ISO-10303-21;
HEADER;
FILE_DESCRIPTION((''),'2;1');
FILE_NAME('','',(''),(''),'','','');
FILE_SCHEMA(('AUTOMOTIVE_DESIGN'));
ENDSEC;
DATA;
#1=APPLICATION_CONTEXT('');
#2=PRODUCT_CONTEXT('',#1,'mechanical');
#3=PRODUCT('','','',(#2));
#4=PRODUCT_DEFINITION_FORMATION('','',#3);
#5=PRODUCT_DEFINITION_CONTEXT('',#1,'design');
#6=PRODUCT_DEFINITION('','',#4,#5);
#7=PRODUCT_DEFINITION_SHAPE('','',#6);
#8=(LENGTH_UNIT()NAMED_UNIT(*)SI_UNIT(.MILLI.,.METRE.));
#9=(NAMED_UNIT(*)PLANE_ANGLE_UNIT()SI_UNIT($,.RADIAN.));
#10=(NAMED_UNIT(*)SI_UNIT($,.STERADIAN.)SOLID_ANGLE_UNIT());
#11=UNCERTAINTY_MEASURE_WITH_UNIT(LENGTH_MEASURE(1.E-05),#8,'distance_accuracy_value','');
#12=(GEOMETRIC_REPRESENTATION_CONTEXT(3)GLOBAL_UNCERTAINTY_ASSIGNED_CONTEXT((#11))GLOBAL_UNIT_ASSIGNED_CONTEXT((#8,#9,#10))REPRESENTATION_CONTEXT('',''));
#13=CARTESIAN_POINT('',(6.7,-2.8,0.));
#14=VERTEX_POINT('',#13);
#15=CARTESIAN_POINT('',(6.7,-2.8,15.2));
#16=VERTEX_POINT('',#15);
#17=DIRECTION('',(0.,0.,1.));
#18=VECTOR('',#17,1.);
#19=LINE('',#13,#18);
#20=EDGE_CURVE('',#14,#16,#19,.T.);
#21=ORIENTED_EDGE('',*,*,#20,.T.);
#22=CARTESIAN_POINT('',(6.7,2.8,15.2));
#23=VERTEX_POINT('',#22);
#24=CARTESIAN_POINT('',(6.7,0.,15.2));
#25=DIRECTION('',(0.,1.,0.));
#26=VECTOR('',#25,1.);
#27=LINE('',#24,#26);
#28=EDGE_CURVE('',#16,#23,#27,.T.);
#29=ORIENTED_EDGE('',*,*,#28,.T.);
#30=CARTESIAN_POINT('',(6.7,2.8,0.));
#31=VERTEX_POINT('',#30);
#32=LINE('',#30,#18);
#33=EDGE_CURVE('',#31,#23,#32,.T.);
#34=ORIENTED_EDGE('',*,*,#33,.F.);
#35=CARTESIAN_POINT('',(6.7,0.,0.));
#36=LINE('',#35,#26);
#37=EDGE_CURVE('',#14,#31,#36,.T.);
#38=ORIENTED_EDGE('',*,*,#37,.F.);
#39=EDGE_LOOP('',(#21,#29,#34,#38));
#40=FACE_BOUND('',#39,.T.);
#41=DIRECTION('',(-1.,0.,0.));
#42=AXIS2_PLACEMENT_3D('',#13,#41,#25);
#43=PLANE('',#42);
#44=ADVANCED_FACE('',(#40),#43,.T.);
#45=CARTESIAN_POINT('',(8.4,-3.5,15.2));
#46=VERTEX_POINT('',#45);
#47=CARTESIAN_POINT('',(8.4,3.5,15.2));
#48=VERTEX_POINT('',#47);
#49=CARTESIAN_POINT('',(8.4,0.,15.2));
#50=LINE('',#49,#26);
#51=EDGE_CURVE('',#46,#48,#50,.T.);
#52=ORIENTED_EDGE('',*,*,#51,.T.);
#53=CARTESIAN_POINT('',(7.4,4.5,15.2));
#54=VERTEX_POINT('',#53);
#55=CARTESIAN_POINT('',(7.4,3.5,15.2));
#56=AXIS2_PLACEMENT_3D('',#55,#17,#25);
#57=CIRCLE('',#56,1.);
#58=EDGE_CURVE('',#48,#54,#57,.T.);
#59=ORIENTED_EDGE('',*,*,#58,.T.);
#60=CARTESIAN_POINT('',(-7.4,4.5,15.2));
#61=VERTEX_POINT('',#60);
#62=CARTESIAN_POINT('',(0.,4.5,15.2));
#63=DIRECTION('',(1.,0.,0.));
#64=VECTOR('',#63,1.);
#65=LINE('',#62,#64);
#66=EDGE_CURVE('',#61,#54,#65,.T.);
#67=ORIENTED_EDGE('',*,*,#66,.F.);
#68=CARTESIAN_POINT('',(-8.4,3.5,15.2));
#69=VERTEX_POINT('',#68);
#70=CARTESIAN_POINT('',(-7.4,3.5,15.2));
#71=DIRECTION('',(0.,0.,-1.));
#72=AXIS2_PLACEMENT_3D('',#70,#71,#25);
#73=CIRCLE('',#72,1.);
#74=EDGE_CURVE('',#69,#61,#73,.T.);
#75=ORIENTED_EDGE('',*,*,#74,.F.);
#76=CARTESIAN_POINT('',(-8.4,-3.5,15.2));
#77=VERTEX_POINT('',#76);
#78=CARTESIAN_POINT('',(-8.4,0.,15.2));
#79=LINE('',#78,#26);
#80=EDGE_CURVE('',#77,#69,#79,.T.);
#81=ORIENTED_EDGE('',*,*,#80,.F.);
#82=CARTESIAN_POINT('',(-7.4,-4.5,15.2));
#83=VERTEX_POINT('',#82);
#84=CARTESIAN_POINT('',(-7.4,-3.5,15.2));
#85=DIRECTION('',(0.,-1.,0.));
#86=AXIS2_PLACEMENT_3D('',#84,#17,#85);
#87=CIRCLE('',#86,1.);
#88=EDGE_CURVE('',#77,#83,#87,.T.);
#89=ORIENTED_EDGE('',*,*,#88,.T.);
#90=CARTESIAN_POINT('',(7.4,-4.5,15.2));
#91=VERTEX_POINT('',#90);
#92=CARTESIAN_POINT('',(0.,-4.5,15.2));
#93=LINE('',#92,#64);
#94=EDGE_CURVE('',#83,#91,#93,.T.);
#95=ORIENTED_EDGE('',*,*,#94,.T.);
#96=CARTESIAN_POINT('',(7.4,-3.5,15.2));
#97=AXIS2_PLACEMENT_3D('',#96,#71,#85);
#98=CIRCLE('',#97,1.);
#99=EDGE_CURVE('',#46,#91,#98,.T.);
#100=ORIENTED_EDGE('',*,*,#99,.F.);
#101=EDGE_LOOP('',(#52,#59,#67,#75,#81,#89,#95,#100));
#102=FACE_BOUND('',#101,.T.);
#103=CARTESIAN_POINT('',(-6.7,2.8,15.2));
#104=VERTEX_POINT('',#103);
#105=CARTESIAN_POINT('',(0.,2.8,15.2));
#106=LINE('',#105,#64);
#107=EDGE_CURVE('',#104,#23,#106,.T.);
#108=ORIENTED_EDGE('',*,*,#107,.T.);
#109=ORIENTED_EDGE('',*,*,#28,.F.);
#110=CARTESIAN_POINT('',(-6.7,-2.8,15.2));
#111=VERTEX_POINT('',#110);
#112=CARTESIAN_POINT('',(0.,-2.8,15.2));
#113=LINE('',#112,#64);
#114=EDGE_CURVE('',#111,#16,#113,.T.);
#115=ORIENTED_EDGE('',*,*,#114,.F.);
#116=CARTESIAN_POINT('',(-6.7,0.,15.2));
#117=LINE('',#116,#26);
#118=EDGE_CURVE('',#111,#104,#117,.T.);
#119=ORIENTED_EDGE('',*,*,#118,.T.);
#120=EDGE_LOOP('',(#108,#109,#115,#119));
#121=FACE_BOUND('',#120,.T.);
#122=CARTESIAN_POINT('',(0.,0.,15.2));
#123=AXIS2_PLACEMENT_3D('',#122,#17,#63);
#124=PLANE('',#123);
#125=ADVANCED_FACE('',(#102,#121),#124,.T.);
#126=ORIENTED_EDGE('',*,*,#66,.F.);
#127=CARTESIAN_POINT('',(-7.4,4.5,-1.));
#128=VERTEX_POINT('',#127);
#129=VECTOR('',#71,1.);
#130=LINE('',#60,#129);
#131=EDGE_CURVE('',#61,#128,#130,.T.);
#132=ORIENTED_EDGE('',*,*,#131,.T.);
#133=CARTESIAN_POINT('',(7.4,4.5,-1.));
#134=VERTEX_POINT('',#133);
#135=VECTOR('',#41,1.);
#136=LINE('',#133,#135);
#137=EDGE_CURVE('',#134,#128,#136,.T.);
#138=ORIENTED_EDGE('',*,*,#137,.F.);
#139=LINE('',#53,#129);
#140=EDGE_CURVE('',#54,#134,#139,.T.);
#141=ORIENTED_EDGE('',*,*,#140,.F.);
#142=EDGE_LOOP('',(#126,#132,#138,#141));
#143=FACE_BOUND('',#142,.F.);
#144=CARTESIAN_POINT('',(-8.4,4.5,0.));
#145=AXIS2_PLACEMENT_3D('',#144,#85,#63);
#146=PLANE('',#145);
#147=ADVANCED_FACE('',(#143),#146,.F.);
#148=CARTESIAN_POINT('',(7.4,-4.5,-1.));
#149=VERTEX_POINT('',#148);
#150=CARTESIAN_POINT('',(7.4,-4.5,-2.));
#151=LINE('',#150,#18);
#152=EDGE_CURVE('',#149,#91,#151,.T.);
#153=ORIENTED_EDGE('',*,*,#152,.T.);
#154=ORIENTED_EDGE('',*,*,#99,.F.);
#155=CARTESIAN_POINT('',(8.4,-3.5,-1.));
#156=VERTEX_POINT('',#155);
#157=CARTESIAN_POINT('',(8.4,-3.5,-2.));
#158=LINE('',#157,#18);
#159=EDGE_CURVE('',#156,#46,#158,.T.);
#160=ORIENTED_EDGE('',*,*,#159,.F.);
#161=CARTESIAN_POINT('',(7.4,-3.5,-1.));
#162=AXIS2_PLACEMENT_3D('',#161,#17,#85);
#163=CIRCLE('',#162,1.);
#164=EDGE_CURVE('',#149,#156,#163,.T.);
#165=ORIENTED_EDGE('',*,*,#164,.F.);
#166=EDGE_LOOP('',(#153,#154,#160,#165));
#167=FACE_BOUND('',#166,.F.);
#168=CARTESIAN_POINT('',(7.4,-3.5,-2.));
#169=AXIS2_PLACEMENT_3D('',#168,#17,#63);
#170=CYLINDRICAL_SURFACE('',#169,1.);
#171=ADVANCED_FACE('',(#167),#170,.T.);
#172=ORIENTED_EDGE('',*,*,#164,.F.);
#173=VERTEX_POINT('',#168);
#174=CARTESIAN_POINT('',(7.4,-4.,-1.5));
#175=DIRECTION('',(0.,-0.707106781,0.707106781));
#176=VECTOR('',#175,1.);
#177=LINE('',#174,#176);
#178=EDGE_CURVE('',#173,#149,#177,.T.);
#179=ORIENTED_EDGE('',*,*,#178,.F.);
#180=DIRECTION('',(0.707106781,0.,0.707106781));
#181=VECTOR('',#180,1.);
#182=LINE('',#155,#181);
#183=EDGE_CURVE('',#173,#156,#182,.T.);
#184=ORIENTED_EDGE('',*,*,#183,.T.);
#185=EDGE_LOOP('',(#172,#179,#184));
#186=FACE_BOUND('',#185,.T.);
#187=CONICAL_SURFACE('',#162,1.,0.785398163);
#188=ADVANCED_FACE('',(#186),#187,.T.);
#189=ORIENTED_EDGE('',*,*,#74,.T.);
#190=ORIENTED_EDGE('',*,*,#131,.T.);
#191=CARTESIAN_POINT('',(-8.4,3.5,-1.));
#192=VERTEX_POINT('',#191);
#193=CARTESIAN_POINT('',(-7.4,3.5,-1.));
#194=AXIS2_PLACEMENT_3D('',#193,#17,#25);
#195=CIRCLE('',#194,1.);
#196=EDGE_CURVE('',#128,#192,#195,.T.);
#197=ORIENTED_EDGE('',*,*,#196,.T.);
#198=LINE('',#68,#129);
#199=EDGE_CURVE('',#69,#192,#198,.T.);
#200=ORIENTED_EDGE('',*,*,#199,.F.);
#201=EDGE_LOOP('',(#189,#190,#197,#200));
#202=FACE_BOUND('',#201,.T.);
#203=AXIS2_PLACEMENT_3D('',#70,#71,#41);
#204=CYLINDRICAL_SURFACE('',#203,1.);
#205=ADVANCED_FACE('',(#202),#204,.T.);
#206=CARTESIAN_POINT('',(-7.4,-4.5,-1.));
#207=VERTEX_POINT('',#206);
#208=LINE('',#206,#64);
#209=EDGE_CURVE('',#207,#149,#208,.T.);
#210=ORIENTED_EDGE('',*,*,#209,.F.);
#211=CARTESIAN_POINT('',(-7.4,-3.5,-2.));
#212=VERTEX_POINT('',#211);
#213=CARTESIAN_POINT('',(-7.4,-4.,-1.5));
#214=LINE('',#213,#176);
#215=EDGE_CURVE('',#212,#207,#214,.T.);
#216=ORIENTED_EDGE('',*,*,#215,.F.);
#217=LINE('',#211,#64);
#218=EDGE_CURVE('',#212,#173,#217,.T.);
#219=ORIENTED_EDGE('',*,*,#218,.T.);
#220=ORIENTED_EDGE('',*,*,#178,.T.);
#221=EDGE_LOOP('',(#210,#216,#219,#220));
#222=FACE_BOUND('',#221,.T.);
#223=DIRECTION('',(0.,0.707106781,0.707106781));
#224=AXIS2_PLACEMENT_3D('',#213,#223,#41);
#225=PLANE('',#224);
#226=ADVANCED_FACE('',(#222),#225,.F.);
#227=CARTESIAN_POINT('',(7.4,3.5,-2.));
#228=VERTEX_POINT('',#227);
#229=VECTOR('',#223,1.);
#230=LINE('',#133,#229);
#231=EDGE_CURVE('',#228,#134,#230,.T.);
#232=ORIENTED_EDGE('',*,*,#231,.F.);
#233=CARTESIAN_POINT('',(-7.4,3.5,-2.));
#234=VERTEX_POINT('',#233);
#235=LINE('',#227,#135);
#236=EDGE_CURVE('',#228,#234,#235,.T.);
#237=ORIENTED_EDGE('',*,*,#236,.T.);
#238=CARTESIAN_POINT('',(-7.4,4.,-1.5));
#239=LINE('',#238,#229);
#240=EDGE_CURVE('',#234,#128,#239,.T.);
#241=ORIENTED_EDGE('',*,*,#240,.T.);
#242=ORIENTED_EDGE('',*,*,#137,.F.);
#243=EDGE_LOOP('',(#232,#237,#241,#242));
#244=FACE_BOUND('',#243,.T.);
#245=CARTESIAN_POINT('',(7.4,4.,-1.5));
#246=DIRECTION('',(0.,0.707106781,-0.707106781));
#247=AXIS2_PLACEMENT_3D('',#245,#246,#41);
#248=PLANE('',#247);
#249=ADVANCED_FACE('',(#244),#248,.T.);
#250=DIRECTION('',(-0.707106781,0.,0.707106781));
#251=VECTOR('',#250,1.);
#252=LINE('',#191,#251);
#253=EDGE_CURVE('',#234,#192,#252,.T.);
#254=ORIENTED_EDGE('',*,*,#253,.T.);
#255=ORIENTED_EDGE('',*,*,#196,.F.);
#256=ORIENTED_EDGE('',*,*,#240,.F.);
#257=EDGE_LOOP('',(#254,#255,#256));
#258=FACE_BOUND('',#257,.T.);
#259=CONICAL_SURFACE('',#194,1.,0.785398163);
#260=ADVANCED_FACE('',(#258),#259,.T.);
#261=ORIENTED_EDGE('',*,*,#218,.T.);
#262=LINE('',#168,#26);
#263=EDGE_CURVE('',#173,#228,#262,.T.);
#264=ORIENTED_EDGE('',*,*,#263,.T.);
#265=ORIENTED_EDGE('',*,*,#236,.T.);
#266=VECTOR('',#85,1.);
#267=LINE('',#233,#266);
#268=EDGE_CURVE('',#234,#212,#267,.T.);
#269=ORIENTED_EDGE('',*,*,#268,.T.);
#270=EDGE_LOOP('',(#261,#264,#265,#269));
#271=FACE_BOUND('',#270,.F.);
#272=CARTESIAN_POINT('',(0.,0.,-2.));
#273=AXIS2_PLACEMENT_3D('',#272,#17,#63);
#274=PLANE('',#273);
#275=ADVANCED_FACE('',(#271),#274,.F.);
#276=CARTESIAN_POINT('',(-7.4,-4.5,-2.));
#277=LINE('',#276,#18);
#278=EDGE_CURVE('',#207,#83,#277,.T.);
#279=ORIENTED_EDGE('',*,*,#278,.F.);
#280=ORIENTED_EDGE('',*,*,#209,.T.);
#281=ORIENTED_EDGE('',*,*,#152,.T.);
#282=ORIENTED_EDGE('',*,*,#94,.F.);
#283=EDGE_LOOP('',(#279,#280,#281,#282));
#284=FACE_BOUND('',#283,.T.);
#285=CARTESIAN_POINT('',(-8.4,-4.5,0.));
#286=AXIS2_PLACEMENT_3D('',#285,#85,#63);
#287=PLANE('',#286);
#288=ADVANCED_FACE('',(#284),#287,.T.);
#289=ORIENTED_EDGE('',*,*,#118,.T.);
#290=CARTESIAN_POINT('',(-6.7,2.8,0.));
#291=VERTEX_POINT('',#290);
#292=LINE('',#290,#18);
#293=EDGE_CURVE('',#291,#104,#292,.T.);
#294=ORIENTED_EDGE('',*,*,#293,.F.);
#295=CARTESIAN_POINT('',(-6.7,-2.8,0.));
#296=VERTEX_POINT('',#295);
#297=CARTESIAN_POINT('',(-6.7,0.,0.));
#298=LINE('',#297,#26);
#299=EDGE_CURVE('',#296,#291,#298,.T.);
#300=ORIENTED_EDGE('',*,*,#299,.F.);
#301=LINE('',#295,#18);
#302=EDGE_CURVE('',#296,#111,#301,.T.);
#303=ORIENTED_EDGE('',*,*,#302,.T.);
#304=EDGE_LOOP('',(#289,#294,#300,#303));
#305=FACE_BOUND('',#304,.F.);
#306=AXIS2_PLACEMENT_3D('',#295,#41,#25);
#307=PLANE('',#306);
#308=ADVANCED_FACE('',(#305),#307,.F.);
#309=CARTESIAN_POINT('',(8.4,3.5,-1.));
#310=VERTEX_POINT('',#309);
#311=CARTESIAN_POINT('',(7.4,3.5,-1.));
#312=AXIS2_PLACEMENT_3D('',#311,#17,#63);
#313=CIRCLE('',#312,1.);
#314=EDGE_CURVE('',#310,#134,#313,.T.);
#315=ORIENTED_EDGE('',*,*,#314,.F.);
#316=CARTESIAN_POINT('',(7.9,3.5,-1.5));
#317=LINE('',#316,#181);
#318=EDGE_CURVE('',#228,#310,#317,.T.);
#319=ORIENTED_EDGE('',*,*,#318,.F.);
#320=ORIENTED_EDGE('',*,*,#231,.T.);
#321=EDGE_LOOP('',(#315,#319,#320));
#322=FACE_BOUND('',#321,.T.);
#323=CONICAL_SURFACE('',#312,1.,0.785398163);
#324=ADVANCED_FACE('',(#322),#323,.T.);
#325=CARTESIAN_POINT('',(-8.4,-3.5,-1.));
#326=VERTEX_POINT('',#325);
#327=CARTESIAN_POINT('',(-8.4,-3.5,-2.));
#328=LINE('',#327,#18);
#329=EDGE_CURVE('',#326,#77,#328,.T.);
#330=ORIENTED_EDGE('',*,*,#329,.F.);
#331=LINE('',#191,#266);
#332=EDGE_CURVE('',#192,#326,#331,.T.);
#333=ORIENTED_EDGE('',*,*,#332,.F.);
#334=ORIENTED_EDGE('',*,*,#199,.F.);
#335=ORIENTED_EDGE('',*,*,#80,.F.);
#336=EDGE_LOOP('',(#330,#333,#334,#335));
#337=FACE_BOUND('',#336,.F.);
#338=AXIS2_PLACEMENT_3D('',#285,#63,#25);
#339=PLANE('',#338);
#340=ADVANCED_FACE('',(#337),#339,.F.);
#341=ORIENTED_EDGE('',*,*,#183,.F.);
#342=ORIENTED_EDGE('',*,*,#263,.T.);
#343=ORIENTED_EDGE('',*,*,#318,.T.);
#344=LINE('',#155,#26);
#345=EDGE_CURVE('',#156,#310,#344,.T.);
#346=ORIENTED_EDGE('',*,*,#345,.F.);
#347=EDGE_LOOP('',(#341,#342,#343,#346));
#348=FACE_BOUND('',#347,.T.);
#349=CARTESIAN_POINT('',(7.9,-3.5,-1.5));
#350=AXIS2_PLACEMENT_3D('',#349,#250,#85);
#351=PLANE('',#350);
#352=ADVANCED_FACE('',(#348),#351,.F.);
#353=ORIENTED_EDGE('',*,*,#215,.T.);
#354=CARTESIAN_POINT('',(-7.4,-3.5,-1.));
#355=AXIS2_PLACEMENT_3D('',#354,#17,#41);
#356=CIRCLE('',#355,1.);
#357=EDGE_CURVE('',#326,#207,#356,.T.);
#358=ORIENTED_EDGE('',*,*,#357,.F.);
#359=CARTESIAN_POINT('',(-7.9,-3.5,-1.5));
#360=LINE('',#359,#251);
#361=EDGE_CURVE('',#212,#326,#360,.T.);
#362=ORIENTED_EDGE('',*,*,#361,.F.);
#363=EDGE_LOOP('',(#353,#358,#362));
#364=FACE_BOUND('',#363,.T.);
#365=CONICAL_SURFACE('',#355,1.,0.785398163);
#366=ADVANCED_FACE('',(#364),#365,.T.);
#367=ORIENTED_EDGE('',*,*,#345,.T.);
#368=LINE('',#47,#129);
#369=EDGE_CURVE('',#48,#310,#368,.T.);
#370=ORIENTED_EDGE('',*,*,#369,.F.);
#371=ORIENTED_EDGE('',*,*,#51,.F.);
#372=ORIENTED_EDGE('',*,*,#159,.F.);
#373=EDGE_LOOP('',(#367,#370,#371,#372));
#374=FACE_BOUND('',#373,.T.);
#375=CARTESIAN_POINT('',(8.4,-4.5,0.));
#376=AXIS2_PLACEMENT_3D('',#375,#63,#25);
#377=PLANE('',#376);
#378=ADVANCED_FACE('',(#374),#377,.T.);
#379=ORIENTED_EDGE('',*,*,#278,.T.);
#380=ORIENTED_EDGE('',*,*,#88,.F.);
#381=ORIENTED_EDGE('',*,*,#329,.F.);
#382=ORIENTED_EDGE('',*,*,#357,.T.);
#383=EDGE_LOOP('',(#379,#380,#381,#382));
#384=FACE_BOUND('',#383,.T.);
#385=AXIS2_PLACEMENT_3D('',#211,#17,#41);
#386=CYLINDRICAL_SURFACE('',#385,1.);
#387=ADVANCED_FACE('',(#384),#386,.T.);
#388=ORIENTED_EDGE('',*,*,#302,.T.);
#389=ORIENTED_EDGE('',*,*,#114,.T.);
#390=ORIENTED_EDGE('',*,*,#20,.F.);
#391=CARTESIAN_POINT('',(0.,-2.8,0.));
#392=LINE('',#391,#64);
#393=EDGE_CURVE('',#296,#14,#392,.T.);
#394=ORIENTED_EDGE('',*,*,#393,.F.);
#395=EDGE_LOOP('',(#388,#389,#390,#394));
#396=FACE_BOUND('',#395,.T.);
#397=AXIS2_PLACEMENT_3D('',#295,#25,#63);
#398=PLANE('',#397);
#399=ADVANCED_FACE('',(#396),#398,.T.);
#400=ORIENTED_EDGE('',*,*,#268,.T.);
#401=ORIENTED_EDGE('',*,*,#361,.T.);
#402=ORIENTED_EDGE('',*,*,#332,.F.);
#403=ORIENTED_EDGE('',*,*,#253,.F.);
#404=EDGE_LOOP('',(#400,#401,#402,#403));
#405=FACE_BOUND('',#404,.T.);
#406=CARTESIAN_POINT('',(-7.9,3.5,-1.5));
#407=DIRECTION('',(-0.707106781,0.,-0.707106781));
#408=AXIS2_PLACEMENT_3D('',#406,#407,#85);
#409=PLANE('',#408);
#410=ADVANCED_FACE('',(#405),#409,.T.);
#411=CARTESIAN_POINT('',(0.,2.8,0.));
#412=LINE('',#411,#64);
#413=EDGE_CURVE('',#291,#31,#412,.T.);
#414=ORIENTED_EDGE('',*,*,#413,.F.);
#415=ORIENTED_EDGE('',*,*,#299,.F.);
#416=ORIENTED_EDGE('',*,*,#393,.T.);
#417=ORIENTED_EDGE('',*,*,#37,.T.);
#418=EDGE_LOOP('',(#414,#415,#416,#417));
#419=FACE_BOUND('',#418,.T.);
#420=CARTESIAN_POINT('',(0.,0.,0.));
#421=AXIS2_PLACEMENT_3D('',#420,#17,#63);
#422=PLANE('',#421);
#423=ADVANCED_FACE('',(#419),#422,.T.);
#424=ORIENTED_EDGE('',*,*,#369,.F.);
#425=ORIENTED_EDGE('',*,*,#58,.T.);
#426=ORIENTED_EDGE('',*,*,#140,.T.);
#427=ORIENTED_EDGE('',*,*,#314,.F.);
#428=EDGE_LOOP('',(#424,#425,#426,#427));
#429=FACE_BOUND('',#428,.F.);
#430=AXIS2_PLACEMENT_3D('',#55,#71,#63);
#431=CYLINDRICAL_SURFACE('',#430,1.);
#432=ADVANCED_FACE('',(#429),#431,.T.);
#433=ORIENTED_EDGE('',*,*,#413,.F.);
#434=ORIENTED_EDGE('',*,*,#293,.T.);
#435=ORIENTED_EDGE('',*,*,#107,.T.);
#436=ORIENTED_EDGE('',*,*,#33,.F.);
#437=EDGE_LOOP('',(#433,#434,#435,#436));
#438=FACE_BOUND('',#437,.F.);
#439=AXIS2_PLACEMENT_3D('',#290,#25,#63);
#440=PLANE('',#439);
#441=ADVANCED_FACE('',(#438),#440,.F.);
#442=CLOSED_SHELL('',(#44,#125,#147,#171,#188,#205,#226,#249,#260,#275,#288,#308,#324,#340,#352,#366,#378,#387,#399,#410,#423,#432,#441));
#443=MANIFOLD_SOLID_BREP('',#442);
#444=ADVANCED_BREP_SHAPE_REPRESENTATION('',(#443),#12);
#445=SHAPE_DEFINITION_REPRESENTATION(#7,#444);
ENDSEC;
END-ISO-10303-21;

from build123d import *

# Parameters (mm, degrees)
F0_W     = 16.8
F0_H     = 9
F0_W_2   = 13.4
F0_H_2   = 5.6
F1_DEPTH = 15.2
F2_DEPTH = 2
F3_R     = 1
F4_SIZE  = 1


with BuildPart() as f1:
    # F0 (on Top) → F1 (new body)
    with BuildSketch(Plane.XY):
        Rectangle(F0_W, F0_H)
        Rectangle(F0_W_2, F0_H_2, mode=Mode.SUBTRACT)
    extrude(amount=F1_DEPTH)

    # F0 (on Top) → F2 (join)
    with BuildSketch(Plane.XY):
        Rectangle(F0_W, F0_H)
        Rectangle(F0_W_2, F0_H_2, mode=Mode.SUBTRACT)
        Rectangle(F0_W_2, F0_H_2)
    extrude(amount=-F2_DEPTH)

    # F3
    f3_edges = [f1.edges().sort_by_distance(p)[0] for p in [
        (-8.4, 4.5, 6.6),
        (-8.4, -4.5, 6.6),
        (8.4, -4.5, 6.6),
        (8.4, 4.5, 6.6),
    ]]
    fillet(f3_edges, radius=F3_R)

    # F4
    f4_edges = [f1.edges().sort_by_distance(p)[0] for p in [
        (0, -4.5, -2),
        (-8.107107, -4.207107, -2),
        (8.107107, -4.207107, -2),
        (-8.4, 0, -2),
        (8.4, 0, -2),
        (-8.107107, 4.207107, -2),
        (8.107107, 4.207107, -2),
        (0, 4.5, -2),
    ]]
    chamfer(f4_edges, length=F4_SIZE)


solid = f1.part
